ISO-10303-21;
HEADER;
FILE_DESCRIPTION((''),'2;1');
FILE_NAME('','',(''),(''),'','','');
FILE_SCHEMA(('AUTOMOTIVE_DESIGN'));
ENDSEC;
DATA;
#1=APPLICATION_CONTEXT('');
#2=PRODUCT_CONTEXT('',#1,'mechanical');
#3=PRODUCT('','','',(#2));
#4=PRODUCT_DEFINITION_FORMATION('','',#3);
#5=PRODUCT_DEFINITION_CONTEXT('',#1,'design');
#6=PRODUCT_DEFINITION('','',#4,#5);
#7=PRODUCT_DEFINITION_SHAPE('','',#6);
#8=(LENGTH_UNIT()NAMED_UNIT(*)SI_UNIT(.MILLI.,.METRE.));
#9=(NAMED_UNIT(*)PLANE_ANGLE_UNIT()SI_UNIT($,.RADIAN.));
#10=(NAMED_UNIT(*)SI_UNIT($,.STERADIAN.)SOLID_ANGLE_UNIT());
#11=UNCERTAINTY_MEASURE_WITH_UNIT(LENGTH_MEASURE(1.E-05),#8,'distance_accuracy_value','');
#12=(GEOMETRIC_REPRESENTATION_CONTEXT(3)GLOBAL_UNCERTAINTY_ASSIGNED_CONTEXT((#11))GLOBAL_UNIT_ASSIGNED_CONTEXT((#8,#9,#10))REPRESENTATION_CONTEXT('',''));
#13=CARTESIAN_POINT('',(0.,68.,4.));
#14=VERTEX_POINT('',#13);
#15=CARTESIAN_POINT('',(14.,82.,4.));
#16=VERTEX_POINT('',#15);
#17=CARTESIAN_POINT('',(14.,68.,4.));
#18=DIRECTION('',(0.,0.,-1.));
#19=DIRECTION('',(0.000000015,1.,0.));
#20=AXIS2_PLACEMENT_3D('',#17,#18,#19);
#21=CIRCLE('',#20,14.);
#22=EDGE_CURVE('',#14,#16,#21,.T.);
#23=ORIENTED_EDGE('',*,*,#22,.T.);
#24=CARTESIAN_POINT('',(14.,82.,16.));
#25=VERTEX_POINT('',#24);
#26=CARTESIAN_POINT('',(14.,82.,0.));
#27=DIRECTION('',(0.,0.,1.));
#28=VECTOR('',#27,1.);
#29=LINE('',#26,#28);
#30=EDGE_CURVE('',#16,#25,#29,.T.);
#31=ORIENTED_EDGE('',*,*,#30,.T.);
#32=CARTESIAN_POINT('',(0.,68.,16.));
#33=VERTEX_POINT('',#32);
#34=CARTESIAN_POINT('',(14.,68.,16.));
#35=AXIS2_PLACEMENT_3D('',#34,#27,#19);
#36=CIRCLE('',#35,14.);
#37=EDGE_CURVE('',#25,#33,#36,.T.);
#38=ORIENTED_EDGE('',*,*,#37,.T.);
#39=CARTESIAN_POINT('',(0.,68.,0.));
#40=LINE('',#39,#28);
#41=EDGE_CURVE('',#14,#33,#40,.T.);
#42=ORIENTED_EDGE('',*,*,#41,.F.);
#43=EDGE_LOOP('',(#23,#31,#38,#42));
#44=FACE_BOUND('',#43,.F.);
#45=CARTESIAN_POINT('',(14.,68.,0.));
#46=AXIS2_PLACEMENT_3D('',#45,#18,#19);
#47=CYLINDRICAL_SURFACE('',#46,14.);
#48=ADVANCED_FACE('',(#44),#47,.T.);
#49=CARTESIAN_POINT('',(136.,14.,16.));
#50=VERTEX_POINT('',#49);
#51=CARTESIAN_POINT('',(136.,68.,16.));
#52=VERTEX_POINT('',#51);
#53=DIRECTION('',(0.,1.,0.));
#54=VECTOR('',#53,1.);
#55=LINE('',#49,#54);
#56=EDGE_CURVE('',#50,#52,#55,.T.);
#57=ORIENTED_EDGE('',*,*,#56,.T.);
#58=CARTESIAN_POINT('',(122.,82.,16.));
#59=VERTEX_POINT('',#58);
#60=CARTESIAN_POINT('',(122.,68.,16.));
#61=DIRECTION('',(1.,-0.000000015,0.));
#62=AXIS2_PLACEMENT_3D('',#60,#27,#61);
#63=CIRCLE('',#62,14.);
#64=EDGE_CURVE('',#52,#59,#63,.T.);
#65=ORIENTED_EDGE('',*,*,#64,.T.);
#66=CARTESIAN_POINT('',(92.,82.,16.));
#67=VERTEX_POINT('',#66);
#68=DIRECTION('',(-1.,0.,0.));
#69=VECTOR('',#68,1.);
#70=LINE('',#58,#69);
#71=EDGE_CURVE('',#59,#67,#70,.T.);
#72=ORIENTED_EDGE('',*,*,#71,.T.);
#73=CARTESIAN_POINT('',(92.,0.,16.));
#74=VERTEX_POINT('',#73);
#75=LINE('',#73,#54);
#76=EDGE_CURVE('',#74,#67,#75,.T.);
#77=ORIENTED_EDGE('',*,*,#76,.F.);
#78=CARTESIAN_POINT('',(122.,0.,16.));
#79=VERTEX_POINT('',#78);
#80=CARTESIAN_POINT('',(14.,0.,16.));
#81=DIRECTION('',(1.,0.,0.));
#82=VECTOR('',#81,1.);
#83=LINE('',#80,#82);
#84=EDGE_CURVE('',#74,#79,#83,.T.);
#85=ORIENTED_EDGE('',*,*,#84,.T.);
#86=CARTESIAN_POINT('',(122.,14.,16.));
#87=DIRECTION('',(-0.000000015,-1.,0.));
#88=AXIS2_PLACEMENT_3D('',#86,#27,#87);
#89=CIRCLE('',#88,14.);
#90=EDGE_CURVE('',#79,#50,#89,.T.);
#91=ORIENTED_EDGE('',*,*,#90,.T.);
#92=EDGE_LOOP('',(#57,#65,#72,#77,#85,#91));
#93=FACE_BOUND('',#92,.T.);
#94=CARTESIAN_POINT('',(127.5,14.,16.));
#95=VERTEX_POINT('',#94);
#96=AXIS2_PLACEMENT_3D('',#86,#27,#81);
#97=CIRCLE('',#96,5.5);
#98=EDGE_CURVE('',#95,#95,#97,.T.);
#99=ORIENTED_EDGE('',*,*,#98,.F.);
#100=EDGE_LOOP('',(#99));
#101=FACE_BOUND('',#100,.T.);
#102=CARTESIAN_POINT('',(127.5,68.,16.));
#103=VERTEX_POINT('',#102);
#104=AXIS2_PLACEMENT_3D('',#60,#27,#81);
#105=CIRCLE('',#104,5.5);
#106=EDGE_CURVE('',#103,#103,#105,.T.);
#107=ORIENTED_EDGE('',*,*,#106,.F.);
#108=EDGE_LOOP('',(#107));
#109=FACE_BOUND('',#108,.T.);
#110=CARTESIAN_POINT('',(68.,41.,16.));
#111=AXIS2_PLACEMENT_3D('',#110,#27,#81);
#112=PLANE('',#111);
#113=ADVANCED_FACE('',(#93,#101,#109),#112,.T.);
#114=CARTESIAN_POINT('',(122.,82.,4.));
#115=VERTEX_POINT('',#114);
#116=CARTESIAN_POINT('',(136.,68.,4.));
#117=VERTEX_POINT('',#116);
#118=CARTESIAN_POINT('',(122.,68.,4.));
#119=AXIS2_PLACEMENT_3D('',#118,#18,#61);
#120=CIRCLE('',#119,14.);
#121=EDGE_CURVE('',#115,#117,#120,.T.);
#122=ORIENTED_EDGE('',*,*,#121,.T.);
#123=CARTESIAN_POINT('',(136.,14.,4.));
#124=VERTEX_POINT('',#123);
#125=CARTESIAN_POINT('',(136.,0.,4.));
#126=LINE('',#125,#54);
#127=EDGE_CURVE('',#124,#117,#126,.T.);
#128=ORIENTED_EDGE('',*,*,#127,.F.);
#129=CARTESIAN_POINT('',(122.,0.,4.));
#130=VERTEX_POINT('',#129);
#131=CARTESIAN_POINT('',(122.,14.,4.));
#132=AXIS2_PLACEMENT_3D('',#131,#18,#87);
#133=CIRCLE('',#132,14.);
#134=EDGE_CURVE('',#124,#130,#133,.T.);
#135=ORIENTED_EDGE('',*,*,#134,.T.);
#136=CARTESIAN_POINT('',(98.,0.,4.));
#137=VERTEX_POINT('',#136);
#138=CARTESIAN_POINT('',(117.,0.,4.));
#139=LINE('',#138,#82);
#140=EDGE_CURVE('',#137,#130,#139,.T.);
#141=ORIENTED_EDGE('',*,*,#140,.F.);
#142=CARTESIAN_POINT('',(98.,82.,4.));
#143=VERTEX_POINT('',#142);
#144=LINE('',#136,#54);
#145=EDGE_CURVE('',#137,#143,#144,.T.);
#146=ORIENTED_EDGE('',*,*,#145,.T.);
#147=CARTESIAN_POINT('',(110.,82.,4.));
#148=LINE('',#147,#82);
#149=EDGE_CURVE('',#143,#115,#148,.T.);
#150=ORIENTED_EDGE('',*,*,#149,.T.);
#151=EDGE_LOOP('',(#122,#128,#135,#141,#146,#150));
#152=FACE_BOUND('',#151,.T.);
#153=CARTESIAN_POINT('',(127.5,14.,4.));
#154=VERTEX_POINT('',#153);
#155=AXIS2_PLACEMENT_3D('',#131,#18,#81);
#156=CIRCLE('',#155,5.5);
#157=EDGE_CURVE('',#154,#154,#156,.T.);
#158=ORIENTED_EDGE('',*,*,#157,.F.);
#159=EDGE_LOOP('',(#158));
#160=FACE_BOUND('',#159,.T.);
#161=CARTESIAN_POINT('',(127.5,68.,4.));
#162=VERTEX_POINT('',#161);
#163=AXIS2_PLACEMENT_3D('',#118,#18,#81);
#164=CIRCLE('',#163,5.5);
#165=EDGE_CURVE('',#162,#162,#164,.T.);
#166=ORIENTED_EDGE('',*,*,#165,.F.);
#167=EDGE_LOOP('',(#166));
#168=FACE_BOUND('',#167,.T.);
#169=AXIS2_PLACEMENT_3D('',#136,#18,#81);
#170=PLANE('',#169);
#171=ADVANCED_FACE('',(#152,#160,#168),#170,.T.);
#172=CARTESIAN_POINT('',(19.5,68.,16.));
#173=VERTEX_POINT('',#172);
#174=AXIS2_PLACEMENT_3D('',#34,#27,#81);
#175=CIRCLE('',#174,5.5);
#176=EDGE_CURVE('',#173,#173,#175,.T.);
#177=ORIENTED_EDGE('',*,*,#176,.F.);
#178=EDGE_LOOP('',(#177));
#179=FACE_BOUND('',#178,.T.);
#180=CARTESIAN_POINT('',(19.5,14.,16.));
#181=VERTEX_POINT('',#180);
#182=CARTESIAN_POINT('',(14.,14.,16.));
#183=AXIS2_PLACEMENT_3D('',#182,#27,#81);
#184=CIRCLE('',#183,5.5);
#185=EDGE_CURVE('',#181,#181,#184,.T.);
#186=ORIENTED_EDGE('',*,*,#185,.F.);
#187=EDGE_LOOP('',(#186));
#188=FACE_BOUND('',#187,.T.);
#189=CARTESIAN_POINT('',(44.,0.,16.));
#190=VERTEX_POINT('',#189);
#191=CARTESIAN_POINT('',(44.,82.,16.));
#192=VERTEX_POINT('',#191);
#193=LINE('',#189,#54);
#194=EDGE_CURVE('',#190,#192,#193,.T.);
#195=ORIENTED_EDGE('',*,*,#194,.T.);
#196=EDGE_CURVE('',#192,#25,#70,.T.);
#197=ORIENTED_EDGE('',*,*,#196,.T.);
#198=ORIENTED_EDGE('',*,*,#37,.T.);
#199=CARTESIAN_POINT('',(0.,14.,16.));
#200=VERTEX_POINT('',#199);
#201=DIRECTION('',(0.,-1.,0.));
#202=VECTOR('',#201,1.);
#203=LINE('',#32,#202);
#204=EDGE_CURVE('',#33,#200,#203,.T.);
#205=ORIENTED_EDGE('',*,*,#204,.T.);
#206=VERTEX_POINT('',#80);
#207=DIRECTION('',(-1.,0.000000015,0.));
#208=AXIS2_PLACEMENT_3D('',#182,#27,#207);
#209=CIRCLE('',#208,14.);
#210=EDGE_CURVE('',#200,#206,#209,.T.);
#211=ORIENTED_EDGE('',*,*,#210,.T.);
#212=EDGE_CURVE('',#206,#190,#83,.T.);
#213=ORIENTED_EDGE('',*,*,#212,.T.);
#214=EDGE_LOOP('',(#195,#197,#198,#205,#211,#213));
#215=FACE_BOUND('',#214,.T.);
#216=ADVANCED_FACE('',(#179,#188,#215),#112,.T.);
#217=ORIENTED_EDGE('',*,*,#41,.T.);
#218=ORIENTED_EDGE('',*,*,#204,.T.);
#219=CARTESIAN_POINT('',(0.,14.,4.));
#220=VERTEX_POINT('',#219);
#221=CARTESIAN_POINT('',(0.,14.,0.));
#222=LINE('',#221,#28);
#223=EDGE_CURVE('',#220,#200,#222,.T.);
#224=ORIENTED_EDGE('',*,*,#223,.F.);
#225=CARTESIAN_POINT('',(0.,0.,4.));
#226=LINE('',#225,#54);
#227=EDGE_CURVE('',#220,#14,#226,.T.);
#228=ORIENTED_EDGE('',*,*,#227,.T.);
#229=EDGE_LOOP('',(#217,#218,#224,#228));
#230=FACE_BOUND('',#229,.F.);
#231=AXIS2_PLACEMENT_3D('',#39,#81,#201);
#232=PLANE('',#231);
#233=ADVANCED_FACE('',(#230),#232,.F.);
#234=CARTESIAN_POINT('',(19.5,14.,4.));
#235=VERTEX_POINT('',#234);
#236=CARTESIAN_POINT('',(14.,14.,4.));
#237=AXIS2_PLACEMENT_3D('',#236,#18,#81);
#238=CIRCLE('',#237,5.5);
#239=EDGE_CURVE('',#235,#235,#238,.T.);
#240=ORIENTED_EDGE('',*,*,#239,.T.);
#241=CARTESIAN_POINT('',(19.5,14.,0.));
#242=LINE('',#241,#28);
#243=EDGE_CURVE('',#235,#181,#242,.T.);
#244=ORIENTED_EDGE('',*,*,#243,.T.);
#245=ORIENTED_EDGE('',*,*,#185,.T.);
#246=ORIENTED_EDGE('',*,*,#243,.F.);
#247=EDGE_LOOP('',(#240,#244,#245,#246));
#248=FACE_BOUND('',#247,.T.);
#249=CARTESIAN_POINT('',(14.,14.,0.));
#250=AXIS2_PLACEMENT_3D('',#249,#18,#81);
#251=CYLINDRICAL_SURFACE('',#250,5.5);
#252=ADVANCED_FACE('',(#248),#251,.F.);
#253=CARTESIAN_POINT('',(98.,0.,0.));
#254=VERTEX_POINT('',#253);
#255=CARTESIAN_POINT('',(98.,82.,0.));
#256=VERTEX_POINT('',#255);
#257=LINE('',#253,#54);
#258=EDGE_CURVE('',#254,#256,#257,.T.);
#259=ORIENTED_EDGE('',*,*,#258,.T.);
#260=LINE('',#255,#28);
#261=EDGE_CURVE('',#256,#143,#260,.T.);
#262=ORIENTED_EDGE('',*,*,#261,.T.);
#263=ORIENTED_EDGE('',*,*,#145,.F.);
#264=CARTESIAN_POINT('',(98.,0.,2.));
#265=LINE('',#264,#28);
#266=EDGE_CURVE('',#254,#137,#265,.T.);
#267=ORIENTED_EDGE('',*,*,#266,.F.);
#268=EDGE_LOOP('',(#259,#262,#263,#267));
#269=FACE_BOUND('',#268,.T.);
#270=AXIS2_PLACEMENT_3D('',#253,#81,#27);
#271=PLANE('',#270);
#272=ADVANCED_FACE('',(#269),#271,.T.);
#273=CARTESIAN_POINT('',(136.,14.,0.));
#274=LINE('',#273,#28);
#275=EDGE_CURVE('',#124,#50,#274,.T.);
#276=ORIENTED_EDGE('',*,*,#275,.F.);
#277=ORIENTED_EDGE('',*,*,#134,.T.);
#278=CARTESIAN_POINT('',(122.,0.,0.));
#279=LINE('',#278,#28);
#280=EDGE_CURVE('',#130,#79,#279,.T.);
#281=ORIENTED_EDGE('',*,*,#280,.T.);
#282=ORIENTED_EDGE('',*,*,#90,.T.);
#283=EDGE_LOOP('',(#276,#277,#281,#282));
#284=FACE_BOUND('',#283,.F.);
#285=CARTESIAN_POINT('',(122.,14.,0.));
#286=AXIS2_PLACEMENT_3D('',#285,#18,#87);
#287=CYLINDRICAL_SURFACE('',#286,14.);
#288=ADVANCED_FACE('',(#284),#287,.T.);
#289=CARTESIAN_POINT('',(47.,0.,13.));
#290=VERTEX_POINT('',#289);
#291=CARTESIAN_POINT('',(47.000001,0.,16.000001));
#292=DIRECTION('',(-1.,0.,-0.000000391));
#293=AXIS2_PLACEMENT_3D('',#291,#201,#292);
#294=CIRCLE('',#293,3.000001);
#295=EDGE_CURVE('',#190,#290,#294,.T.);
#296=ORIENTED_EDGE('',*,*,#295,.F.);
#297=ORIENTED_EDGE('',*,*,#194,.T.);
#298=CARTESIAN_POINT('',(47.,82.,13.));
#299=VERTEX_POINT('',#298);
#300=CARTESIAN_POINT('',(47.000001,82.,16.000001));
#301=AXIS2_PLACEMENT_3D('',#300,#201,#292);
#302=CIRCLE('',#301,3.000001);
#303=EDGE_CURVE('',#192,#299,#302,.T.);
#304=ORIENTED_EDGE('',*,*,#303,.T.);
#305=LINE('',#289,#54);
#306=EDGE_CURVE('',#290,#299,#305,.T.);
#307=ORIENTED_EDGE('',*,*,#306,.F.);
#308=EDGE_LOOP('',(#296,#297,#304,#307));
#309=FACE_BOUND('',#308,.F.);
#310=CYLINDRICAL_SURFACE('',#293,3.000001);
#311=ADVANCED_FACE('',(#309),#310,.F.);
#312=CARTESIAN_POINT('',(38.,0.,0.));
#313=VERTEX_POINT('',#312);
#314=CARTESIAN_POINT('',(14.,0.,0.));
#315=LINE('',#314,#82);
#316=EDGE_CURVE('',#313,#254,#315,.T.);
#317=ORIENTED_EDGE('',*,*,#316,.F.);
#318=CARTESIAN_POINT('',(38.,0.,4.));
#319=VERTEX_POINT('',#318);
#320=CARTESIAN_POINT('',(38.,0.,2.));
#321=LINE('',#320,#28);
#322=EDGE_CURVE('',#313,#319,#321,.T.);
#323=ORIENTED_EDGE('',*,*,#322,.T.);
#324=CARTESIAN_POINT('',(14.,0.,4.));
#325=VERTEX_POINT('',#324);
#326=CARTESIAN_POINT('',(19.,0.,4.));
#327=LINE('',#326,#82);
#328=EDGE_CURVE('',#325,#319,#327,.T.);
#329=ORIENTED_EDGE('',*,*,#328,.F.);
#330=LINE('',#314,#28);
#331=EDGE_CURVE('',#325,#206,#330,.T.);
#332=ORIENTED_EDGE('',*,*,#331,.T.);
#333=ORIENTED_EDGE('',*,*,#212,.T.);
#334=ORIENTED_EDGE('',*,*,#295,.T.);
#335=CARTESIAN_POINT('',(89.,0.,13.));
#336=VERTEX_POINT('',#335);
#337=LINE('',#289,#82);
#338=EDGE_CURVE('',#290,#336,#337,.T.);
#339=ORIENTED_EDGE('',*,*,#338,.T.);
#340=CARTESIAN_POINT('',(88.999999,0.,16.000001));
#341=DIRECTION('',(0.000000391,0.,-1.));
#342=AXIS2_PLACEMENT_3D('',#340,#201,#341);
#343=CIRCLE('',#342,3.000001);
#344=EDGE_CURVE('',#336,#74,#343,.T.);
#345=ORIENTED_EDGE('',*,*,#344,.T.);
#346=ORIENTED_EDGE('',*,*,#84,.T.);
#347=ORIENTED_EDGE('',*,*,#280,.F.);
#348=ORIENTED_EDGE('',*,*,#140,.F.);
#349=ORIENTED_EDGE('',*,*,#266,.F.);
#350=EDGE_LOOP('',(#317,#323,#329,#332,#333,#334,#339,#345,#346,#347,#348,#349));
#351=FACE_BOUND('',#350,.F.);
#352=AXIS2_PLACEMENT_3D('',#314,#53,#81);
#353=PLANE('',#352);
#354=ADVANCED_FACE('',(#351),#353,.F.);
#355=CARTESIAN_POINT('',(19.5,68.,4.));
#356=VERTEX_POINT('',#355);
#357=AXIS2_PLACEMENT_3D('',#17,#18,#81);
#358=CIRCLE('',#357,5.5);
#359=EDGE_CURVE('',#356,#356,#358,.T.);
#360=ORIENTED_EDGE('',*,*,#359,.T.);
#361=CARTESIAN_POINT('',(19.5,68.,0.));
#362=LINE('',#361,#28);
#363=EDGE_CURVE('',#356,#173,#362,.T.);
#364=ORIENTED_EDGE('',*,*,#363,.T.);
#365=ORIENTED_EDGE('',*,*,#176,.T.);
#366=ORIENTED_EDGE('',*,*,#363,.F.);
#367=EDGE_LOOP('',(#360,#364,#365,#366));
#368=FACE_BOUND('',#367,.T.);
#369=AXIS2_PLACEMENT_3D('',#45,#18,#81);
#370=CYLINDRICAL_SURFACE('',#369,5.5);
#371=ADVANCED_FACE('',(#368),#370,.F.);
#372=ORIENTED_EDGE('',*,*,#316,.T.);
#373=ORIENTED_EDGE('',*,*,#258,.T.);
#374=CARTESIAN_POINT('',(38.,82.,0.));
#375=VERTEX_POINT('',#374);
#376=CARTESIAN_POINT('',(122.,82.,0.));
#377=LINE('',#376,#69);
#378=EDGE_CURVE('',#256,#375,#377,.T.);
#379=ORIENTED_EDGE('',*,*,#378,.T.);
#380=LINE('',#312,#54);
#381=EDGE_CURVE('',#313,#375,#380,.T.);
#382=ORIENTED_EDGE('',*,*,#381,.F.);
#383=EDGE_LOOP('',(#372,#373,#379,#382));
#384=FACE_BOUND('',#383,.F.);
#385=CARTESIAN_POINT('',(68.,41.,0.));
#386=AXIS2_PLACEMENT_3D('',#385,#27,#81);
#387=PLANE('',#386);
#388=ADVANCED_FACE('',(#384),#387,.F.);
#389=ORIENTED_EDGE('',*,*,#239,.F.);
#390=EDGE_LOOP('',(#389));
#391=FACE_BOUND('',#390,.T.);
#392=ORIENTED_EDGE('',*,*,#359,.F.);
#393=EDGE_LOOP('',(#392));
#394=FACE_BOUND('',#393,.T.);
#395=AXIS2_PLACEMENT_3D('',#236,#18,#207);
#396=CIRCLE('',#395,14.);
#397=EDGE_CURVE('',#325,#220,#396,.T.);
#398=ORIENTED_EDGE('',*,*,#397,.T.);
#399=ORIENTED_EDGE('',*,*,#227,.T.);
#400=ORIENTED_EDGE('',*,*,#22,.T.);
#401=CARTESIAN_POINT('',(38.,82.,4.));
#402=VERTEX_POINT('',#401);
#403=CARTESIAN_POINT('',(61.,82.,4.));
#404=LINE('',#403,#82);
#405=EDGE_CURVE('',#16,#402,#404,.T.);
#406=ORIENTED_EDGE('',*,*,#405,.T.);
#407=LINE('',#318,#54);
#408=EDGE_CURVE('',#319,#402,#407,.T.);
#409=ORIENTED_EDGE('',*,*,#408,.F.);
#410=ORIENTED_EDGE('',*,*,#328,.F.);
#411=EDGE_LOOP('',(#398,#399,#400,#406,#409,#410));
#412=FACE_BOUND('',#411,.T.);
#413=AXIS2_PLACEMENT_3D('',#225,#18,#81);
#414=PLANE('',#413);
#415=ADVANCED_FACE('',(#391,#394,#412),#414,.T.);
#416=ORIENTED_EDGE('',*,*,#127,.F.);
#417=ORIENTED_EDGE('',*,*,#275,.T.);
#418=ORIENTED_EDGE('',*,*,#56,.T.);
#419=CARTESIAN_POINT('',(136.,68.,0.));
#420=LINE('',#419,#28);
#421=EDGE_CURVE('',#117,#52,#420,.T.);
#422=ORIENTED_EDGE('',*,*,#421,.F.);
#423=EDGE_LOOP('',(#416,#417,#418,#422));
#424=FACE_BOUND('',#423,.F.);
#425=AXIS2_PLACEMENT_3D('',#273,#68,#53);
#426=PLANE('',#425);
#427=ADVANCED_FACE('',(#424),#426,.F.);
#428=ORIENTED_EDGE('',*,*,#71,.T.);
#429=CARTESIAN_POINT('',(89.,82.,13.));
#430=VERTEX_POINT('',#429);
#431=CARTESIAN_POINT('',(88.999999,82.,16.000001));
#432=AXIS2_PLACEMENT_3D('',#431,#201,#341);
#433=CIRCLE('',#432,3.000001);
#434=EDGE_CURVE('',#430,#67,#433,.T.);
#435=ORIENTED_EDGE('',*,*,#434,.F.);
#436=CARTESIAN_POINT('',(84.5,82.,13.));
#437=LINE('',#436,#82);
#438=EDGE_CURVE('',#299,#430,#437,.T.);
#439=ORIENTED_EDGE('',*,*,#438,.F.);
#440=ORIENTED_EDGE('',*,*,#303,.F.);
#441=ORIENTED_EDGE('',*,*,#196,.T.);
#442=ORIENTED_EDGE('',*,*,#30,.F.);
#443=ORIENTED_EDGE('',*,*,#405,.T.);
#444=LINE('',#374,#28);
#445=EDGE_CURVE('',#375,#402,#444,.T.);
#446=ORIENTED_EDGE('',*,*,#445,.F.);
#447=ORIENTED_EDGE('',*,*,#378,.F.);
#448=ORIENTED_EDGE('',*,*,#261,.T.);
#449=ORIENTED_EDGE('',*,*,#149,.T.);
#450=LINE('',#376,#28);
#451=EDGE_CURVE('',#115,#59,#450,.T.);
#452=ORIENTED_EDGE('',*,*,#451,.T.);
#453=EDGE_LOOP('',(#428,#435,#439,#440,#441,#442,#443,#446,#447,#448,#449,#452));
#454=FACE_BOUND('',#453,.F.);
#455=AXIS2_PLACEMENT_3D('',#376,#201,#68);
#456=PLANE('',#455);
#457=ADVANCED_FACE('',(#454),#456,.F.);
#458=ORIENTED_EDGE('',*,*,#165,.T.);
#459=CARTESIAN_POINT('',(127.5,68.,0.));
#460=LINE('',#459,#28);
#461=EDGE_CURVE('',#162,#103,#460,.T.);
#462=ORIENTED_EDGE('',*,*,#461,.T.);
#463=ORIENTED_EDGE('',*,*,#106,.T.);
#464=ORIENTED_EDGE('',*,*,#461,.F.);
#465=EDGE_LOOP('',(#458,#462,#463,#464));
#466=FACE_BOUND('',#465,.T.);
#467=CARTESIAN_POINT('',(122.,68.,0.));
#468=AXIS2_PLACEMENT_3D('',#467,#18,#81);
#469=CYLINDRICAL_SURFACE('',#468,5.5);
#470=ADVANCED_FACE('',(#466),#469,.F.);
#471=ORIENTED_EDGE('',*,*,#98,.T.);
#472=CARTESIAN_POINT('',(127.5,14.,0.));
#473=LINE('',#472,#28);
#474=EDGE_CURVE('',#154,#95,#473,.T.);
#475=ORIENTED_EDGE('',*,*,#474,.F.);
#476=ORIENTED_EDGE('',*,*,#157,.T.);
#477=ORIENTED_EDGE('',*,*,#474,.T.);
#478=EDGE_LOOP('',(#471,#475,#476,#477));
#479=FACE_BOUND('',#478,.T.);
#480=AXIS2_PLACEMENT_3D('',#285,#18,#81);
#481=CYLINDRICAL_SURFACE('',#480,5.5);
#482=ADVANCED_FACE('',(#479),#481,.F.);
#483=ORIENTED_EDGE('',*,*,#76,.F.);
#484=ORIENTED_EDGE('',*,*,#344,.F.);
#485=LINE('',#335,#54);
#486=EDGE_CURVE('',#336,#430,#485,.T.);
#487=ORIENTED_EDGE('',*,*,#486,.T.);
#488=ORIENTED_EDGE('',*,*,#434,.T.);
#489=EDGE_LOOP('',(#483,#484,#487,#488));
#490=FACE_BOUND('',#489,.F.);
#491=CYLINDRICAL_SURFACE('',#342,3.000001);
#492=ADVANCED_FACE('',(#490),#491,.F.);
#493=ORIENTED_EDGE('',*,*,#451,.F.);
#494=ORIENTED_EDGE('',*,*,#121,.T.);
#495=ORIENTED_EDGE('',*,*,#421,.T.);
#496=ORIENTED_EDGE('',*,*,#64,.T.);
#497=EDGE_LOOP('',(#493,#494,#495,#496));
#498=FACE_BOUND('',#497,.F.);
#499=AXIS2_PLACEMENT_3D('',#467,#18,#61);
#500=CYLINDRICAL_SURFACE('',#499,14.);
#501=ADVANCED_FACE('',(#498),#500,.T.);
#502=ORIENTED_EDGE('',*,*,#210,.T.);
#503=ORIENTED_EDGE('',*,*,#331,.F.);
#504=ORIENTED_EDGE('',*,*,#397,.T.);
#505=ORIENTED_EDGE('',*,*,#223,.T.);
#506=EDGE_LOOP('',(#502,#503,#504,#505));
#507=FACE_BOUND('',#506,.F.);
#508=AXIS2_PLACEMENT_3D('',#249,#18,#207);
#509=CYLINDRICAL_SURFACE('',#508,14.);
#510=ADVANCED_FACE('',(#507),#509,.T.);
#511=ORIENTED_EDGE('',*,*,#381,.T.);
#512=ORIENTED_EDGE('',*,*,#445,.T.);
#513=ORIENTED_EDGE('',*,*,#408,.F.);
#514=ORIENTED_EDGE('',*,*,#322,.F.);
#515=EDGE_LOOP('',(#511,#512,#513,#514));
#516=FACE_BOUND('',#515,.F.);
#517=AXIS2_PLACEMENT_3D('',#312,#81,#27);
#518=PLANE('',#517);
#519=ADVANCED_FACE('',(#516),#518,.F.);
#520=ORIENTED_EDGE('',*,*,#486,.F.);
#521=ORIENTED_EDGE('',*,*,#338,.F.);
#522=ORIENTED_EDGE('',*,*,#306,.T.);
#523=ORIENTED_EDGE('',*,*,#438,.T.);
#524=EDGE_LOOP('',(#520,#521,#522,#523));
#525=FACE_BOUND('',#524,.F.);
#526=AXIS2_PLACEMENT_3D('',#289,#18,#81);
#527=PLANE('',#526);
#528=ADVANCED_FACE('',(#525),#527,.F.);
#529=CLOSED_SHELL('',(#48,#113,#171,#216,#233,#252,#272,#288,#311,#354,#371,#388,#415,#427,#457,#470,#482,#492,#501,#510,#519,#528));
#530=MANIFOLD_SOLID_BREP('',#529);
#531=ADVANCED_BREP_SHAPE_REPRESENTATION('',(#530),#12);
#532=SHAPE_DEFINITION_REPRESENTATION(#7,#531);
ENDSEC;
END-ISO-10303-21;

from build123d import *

# Parameters (mm, degrees)
F0_R     = 5.5
F1_DEPTH = 16
F2_W     = 38
F2_H     = 4
F3_DEPTH = 82.001


with BuildPart() as f1:
    # F0 (on Top) → F1 (new body)
    with BuildSketch(Plane.XY):
        with BuildLine():
            ThreePointArc((0, 14), (4.100505, 4.100505), (14, 0))
            Line((14, 0), (122, 0))
            ThreePointArc((122, 0), (131.899495, 4.100505), (136, 14))
            Line((136, 14), (136, 68))
            ThreePointArc((136, 68), (131.899495, 77.899495), (122, 82))
            Line((122, 82), (14, 82))
            ThreePointArc((14, 82), (4.100505, 77.899495), (0, 68))
            Line((0, 68), (0, 14))
        make_face()
        with Locations((14, 14)):
            Circle(F0_R, mode=Mode.SUBTRACT)
        with Locations((122, 14)):
            Circle(F0_R, mode=Mode.SUBTRACT)
        with Locations((14, 68)):
            Circle(F0_R, mode=Mode.SUBTRACT)
        with Locations((122, 68)):
            Circle(F0_R, mode=Mode.SUBTRACT)
    extrude(amount=F1_DEPTH)

    # F2 (on face) → F3 (cut, through all)
    with BuildSketch(Plane.XZ):
        with Locations((19, 2)):
            Rectangle(F2_W, F2_H)
        with Locations((117, 2)):
            Rectangle(F2_W, F2_H)
        with BuildLine():
            Line((92, 16), (44, 16))
            ThreePointArc((44, 16), (44.87868, 13.87868), (47, 13))
            Line((47, 13), (89, 13))
            ThreePointArc((89, 13), (91.12132, 13.87868), (92, 16))
        make_face()
    extrude(amount=-F3_DEPTH, mode=Mode.SUBTRACT)


solid = f1.part
